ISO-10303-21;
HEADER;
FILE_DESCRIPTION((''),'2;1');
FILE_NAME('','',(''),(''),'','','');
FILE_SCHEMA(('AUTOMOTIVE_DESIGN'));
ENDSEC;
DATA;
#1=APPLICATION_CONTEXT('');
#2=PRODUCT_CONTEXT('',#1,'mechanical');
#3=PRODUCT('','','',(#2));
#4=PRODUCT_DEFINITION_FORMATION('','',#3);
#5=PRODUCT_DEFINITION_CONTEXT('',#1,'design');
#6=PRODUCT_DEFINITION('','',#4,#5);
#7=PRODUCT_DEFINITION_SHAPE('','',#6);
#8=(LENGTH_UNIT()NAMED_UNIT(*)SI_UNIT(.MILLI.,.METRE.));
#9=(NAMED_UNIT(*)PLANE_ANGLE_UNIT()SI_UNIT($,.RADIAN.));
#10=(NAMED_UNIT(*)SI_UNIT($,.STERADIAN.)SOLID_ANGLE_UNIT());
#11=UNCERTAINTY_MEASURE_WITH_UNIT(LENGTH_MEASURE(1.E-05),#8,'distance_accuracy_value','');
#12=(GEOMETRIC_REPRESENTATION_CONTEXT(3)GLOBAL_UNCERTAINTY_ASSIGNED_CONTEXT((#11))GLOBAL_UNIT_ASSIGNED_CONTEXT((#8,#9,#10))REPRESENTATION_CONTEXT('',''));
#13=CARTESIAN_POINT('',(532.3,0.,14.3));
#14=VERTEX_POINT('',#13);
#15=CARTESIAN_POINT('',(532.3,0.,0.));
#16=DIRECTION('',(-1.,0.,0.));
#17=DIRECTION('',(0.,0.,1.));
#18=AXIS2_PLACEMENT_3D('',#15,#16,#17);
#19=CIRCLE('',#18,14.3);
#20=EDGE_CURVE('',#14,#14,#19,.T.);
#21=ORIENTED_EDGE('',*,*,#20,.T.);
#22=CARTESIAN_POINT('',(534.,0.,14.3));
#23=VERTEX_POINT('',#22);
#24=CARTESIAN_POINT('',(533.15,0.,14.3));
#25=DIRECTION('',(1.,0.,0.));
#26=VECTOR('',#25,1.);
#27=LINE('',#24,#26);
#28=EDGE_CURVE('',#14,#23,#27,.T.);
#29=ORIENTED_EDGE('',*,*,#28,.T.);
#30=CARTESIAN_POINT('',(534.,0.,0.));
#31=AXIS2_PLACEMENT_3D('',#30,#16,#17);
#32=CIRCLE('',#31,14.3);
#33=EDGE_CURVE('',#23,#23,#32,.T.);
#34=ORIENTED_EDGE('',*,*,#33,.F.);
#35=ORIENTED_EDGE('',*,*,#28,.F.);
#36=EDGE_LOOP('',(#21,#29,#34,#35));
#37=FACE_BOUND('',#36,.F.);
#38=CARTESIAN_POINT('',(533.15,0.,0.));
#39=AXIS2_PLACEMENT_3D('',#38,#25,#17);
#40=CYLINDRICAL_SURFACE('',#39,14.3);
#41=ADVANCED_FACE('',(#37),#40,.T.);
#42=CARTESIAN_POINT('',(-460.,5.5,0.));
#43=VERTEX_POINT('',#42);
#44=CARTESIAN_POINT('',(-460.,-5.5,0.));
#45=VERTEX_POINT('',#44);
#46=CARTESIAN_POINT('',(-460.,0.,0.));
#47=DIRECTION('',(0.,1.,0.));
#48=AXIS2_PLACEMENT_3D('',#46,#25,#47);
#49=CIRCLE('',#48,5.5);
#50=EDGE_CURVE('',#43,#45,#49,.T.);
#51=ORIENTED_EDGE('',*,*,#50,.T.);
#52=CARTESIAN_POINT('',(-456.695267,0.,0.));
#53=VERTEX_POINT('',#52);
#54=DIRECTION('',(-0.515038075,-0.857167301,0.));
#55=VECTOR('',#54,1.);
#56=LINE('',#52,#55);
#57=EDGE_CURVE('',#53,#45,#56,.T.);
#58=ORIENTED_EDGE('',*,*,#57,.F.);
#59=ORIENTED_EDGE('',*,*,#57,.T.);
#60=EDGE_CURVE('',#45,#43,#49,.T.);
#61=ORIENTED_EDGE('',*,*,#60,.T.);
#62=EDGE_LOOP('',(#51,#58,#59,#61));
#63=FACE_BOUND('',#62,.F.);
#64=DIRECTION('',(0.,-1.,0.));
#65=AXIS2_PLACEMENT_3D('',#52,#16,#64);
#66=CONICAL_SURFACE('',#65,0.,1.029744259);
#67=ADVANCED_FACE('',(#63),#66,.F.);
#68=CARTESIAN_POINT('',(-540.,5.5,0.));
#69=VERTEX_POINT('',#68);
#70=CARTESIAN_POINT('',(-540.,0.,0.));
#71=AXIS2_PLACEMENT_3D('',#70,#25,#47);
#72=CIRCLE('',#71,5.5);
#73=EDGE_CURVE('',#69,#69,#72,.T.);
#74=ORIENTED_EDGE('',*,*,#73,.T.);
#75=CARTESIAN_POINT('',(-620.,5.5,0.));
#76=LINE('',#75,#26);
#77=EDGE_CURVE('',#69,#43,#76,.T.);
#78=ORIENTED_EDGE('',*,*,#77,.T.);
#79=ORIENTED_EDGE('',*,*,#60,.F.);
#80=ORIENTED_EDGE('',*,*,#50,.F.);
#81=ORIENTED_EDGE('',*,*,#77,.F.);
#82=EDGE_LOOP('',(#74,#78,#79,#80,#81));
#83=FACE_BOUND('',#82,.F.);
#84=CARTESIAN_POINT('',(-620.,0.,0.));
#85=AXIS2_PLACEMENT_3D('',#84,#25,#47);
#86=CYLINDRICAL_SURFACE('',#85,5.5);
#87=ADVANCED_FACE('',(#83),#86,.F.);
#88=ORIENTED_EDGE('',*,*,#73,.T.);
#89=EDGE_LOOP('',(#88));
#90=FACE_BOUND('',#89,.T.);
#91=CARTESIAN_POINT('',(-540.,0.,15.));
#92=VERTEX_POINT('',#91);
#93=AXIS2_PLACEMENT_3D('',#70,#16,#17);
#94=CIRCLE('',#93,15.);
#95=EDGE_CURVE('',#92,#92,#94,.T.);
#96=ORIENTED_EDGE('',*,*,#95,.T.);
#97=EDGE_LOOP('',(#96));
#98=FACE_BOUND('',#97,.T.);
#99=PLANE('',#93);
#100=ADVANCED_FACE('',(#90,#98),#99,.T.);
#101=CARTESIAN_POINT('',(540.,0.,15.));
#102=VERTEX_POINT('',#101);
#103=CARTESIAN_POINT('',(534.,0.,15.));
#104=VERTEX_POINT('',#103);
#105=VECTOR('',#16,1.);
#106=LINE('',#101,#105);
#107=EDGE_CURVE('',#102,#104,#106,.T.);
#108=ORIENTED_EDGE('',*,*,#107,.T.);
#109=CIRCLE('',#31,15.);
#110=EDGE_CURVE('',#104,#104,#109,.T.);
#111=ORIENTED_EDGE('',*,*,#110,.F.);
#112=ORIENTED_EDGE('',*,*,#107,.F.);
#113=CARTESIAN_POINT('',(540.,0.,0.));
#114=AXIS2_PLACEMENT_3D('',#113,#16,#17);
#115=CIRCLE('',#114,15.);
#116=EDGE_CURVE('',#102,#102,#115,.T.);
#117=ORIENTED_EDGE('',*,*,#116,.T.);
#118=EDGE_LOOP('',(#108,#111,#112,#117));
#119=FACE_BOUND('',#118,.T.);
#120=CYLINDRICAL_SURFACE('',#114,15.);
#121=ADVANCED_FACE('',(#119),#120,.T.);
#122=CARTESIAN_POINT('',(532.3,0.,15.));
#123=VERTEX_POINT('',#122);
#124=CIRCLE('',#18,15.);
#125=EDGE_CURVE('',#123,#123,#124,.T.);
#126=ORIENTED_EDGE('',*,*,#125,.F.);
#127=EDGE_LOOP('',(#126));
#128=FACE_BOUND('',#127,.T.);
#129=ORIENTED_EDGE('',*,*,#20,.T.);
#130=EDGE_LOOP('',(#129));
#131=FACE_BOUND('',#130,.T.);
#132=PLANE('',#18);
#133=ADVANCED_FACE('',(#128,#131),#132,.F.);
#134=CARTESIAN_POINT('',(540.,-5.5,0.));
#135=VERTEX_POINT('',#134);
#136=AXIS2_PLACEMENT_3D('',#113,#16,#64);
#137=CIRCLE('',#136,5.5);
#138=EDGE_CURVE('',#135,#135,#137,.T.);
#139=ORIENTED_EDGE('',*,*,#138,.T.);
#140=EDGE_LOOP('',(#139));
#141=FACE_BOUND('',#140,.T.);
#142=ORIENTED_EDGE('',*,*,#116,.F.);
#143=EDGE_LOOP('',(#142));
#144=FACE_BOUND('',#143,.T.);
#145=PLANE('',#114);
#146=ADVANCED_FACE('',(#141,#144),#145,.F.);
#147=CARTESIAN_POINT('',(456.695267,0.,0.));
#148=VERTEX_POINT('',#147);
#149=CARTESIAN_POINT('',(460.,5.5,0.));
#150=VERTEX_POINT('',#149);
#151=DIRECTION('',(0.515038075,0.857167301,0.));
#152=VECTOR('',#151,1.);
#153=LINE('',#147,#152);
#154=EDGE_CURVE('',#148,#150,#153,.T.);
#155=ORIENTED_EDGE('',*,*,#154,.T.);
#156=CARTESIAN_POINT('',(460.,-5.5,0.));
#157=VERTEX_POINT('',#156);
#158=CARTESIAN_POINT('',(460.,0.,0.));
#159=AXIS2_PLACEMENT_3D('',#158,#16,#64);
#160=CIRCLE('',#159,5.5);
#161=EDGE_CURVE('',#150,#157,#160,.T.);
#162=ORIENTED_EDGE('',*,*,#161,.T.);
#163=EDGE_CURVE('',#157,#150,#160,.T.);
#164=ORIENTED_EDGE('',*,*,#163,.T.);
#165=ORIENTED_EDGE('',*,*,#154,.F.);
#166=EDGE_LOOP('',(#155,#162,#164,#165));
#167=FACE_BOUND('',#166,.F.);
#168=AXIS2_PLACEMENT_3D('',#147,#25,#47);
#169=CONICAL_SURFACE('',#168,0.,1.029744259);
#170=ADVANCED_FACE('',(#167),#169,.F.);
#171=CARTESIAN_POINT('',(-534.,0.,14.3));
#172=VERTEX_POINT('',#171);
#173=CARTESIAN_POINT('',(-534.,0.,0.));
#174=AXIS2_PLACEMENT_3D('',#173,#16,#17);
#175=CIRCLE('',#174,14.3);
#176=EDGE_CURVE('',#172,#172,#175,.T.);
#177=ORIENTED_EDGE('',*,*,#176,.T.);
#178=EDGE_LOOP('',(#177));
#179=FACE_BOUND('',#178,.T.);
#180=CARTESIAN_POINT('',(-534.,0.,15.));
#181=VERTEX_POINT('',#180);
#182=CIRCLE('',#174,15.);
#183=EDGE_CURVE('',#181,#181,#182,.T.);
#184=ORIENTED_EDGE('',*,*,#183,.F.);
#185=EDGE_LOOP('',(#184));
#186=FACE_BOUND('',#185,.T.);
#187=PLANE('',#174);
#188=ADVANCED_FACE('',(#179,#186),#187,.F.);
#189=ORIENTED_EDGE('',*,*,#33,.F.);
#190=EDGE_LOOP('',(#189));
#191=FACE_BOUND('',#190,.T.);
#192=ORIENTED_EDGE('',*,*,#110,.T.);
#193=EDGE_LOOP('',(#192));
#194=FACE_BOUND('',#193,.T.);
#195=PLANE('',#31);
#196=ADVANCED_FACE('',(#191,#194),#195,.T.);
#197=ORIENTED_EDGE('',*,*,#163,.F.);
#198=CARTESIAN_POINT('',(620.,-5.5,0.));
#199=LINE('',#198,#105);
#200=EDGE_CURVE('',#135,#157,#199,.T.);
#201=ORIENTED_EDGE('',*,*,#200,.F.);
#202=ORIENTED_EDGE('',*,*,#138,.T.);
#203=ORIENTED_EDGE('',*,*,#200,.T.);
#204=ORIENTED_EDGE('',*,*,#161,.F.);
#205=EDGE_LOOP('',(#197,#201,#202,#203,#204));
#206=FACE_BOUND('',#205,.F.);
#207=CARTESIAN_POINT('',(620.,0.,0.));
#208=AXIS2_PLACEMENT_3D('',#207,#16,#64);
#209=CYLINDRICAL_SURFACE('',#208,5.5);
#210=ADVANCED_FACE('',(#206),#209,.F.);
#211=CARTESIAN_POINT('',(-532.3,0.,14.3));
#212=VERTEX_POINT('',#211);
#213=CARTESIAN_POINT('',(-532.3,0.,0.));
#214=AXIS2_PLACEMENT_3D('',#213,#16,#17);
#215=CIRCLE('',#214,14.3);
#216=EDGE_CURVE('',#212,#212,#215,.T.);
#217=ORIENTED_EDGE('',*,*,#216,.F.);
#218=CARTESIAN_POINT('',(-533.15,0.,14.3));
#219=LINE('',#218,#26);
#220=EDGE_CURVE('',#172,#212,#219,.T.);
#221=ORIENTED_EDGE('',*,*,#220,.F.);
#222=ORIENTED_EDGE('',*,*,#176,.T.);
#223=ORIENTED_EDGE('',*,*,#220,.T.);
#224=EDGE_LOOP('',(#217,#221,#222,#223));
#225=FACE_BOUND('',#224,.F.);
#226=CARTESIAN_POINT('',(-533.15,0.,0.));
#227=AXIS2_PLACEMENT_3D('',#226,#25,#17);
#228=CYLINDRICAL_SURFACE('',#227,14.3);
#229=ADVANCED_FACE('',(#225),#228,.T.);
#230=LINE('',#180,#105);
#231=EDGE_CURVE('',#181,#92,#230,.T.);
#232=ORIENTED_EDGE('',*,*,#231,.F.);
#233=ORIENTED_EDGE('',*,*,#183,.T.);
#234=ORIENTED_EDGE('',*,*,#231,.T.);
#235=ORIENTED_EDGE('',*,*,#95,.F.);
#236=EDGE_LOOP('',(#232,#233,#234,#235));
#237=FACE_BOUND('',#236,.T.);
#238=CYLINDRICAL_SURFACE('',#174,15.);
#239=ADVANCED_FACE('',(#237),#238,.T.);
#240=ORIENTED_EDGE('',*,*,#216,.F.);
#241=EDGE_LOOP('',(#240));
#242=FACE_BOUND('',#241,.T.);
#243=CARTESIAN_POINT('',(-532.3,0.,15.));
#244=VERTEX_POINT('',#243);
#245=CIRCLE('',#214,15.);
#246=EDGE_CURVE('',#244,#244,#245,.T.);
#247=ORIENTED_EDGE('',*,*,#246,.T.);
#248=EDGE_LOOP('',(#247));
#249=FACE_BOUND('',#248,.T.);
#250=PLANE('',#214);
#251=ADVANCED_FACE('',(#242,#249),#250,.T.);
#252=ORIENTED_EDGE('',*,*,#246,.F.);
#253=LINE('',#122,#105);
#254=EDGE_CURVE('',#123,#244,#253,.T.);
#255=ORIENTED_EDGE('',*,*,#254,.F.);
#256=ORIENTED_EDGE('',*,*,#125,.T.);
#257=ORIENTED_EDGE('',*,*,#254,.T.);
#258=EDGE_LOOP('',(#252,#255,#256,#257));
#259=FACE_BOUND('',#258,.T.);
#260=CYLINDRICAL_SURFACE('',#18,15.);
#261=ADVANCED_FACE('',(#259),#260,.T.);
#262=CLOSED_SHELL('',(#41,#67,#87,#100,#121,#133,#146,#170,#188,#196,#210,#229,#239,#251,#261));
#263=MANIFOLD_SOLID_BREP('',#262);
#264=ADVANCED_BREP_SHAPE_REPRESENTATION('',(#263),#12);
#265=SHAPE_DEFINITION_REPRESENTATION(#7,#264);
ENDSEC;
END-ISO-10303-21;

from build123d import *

# Parameters (mm, degrees)
F0_W     = 1.7
F0_H     = 14.3
F3_D     = 11
F3_DEPTH = 80
F3_TIP   = 3.3047334047
F5_D     = 11
F5_DEPTH = 80
F5_TIP   = 3.3047334047


with BuildPart() as f1:
    # F0 (on Front) → F1 (revolve)
    with BuildSketch(Plane.XZ):
        Polygon((534, 14.3), (534, 0), (540, 0), (540, 15), (534, 15), align=None)
        with Locations((533.15, 7.15)):
            Rectangle(F0_W, F0_H)
        Polygon((0, 15), (0, 0), (532.3, 0), (532.3, 14.3), (532.3, 15), align=None)
        Polygon((-532.3, 15), (-532.3, 14.3), (-532.3, 0), (0, 0), (0, 15), align=None)
        with Locations((-533.15, 7.15)):
            Rectangle(F0_W, F0_H)
        Polygon((-534, 15), (-540, 15), (-540, 0), (-534, 0), (-534, 14.3), align=None)
    revolve(axis=Axis((-281.0423572082, 0, 0), (-1, 0, 0)))

    # F3
    with Locations(Plane(origin=(-540, 0, 0), x_dir=(0, -1, 0), z_dir=(-1, 0, 0))):
        with Locations((0, 0)):
            Hole(F3_D / 2, depth=F3_DEPTH)
            with Locations((0, 0, -(F3_DEPTH + F3_TIP / 2))):  # 118° drill point
                Cone(0, F3_D / 2, F3_TIP, mode=Mode.SUBTRACT)

    # F5
    with Locations(Plane.YZ.offset(540)):
        with Locations((0, 0)):
            Hole(F5_D / 2, depth=F5_DEPTH)
            with Locations((0, 0, -(F5_DEPTH + F5_TIP / 2))):  # 118° drill point
                Cone(0, F5_D / 2, F5_TIP, mode=Mode.SUBTRACT)


solid = f1.part
